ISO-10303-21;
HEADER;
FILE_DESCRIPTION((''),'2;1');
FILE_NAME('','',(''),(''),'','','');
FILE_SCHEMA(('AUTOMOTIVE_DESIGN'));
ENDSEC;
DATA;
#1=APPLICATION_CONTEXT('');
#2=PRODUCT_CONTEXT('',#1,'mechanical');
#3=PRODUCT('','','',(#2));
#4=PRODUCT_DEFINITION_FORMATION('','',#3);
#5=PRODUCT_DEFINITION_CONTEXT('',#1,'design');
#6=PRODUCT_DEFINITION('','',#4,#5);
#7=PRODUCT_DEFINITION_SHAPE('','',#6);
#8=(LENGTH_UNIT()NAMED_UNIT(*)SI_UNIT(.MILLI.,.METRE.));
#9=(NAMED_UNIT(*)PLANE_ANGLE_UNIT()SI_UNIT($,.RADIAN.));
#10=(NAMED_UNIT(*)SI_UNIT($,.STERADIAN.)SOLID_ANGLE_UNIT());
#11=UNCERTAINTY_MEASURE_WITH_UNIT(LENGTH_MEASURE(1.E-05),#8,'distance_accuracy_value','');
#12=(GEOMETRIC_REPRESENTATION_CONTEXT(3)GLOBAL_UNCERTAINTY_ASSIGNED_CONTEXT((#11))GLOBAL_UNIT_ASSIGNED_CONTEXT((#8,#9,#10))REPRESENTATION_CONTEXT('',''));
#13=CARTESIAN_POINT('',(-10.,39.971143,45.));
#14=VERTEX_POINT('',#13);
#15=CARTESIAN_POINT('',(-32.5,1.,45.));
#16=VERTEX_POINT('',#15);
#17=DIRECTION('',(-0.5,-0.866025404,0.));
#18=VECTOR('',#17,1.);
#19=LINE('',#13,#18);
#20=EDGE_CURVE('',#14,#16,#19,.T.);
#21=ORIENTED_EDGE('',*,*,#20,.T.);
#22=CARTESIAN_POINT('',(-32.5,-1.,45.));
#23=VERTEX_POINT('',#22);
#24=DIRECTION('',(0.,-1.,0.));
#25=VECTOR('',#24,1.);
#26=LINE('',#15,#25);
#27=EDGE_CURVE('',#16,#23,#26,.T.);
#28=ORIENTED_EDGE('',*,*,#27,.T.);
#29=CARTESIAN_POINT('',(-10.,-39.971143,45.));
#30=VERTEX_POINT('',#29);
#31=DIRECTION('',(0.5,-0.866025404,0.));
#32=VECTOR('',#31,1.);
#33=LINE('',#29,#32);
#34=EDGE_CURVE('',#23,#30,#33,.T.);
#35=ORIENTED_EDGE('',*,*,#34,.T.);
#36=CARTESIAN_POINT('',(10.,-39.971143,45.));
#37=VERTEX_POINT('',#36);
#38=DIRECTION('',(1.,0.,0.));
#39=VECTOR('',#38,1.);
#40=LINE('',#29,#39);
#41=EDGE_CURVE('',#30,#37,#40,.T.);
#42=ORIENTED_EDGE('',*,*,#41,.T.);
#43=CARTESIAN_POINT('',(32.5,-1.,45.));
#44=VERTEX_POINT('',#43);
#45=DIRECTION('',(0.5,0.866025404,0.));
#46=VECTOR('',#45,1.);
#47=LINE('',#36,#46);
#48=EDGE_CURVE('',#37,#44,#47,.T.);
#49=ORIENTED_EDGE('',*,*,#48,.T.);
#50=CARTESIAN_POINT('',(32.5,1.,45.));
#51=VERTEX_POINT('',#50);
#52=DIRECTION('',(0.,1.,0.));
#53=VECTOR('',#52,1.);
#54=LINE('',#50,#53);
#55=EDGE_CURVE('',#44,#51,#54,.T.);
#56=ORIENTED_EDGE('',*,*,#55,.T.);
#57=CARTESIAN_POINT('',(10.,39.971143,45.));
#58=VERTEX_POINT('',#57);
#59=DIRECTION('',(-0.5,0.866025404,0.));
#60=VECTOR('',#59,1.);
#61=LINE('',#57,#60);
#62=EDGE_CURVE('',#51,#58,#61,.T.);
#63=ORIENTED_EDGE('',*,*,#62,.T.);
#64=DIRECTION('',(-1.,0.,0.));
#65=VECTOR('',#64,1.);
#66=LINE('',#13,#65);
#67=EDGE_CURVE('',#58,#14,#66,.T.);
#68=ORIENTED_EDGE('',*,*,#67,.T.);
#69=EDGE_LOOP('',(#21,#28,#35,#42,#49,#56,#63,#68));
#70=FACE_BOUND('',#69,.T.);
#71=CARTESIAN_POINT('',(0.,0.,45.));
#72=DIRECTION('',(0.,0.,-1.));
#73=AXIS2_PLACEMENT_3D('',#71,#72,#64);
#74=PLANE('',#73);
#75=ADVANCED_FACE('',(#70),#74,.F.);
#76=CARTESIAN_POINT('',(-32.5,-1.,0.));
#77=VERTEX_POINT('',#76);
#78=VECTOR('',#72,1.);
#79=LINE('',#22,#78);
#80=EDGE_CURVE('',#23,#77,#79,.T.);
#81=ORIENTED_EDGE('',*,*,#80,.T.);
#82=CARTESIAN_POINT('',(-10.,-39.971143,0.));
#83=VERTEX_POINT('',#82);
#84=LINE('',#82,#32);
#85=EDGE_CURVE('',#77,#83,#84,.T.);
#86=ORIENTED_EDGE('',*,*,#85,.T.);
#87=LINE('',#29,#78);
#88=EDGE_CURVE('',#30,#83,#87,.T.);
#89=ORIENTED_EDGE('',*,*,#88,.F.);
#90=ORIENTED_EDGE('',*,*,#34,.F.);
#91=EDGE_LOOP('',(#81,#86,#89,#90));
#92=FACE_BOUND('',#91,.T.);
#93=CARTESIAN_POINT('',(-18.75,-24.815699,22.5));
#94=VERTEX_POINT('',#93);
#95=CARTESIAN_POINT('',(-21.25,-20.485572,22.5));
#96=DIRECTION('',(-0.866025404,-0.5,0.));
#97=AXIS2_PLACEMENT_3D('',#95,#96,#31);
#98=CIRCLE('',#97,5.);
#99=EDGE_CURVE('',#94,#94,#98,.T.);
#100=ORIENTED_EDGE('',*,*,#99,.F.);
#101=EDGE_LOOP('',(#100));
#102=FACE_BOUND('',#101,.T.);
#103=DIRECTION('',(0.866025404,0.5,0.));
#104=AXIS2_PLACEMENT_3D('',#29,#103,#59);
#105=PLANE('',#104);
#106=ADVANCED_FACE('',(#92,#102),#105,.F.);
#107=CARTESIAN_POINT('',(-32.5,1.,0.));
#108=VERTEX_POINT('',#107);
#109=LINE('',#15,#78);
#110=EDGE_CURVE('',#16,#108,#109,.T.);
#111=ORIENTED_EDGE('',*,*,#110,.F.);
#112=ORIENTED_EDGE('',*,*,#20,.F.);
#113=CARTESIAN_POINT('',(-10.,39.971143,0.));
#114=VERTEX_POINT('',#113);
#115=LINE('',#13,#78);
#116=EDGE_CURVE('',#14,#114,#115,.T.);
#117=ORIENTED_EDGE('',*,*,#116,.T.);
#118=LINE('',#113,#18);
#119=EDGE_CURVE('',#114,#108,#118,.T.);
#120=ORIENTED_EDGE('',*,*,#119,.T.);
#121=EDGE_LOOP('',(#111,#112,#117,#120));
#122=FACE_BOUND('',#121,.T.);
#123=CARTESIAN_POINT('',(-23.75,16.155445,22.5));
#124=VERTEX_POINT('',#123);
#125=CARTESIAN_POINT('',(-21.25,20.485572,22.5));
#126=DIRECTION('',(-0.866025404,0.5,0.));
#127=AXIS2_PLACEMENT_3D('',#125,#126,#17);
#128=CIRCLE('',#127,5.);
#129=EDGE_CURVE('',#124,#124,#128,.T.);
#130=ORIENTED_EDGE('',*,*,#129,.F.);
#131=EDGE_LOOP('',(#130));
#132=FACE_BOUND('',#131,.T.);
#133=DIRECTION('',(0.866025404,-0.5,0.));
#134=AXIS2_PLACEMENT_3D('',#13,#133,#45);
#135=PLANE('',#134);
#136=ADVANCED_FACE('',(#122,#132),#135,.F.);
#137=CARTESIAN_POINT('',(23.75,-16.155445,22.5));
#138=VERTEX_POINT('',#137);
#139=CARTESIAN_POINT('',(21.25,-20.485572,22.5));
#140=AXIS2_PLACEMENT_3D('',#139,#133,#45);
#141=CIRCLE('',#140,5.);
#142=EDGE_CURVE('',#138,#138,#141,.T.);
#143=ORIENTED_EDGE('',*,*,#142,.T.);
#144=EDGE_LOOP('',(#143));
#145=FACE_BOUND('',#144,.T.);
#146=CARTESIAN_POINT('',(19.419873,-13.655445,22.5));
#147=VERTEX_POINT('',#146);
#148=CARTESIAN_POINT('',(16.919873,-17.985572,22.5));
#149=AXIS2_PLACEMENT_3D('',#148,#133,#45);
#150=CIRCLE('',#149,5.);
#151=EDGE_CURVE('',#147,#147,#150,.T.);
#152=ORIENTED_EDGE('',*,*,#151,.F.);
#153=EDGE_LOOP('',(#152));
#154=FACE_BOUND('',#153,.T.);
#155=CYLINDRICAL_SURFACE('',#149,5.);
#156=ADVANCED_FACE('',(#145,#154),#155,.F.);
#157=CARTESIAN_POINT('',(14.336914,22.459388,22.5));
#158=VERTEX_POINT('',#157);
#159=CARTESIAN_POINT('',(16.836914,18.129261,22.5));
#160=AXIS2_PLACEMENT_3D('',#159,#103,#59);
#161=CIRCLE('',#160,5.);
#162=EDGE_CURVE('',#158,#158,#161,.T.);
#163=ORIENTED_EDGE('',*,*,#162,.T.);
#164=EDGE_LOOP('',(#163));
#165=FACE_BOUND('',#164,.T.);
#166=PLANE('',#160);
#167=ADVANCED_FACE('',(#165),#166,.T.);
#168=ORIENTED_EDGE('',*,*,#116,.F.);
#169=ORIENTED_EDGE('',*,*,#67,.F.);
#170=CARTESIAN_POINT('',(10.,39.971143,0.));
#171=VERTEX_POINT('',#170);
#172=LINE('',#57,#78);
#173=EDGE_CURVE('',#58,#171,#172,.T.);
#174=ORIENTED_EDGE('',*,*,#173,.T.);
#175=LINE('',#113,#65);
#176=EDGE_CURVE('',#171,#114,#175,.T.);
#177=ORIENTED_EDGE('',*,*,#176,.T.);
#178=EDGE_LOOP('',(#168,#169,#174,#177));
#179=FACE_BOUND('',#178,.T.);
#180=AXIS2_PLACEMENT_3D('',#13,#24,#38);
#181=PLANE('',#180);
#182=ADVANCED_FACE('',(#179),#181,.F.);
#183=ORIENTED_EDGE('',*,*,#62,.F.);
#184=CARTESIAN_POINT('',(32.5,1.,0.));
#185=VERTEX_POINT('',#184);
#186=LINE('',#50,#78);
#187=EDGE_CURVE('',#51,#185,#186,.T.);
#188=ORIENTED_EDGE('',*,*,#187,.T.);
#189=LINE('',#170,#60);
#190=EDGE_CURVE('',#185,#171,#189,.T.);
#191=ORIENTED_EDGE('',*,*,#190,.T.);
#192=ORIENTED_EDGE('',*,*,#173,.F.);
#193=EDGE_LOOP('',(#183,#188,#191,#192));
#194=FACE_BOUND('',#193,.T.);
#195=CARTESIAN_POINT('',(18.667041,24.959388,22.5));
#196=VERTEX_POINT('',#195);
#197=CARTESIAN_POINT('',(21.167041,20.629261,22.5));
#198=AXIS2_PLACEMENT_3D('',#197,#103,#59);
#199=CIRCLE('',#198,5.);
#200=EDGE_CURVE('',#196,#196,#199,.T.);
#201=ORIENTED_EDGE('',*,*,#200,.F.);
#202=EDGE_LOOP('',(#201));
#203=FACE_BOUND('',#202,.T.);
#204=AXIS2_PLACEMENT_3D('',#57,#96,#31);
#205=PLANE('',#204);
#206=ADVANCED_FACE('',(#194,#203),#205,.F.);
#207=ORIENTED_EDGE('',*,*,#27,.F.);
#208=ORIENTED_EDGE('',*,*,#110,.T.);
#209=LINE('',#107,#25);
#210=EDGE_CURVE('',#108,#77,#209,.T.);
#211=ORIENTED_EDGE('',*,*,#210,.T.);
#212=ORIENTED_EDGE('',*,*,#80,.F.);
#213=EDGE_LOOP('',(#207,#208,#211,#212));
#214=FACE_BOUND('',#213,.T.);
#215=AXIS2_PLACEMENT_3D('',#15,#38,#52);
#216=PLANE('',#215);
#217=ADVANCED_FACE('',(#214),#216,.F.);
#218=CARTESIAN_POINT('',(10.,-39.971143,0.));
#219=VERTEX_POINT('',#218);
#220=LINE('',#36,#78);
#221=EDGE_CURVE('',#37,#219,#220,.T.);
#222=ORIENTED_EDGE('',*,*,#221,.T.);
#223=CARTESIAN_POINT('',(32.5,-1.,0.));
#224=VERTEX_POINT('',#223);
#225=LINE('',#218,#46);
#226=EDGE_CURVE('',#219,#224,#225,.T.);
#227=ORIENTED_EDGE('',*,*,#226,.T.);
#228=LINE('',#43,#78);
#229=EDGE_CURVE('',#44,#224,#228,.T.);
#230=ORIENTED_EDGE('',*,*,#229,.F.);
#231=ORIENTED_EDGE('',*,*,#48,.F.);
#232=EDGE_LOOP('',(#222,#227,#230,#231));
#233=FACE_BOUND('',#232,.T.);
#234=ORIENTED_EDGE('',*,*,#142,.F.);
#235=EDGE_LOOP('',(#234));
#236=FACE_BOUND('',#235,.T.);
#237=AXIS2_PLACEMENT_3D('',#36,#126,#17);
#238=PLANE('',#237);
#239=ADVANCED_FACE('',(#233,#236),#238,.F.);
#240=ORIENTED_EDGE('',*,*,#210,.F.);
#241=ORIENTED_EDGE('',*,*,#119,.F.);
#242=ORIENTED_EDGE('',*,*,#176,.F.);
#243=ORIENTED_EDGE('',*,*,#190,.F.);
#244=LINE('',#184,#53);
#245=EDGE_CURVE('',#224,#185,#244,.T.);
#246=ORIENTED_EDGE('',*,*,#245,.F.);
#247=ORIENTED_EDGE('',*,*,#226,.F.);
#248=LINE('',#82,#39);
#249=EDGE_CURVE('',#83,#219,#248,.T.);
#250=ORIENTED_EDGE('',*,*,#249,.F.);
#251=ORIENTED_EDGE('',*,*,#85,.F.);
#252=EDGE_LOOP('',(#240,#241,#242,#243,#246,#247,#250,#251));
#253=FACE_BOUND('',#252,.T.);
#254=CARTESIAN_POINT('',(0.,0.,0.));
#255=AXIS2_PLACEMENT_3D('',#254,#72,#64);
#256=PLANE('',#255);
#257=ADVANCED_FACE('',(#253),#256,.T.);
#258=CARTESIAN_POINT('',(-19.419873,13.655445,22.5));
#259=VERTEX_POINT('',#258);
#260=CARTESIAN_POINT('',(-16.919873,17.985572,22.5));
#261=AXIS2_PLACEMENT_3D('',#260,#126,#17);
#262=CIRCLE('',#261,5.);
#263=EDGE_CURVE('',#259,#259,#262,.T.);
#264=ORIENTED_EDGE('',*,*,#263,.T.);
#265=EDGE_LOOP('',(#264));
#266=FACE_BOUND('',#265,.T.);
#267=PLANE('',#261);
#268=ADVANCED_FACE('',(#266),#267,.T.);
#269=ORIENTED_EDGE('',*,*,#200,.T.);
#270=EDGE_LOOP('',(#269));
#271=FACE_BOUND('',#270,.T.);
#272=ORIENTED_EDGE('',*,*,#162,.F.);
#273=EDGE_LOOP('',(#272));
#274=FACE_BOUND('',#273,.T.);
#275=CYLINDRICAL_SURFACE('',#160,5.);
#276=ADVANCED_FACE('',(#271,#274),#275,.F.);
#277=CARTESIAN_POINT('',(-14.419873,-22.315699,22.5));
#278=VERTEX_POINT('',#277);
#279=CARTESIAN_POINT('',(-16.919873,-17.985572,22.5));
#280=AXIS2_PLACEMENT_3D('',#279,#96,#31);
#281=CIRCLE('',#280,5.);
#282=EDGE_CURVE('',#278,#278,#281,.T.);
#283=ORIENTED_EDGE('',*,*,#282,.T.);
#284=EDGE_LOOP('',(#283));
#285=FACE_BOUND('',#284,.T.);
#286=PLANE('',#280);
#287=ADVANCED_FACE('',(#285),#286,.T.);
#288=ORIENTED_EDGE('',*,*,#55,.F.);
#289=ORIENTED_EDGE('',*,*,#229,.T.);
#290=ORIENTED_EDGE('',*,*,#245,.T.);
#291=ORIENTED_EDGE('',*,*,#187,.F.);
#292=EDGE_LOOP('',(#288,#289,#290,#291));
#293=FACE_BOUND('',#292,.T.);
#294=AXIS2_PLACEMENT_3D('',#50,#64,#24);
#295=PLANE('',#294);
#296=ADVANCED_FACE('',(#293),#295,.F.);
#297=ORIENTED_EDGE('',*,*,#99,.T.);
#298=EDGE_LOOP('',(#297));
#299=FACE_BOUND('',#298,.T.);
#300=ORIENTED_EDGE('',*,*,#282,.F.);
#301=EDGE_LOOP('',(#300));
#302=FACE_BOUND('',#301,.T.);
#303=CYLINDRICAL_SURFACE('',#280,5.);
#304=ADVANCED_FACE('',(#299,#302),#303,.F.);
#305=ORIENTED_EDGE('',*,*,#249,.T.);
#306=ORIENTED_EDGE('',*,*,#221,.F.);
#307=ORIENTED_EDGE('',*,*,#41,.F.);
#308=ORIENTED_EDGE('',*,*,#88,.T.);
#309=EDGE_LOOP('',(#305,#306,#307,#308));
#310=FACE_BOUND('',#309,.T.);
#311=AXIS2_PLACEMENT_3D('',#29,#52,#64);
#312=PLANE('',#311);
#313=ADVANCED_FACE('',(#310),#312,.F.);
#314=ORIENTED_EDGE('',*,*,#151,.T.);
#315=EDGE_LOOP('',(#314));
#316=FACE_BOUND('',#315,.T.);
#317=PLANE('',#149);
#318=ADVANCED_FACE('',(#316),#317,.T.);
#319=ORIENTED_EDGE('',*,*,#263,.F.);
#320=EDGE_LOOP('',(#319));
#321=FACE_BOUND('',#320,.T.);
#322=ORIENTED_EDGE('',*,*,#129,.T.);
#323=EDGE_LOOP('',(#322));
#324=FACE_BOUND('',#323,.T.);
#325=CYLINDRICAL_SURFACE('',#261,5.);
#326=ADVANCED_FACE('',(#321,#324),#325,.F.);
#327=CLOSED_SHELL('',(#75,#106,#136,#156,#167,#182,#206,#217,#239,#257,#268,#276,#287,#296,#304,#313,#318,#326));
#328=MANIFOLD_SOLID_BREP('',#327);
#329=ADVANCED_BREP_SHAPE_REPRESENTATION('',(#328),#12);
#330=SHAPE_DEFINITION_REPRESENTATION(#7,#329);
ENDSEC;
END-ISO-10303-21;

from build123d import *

# Parameters (mm, degrees)
BOSS_EXTRUDE1_DEPTH = 45
SKETCH3_R           = 5
CUT_EXTRUDE1_DEPTH  = 5
SKETCH4_R           = 5
CUT_EXTRUDE2_DEPTH  = 5
SKETCH5_R           = 5
CUT_EXTRUDE3_DEPTH  = 5
SKETCH6_R           = 5
CUT_EXTRUDE4_DEPTH  = 5


with BuildPart() as part:
    # Sketch2 → Boss-Extrude1 (new body)
    with BuildSketch(Plane.XY):
        Polygon((-10, 39.97114317), (10, 39.97114317), (32.5, 1), (32.5, -1), (10, -39.97114317), (-10, -39.97114317), (-32.5, -1), (-32.5, 1), align=None)
    extrude(amount=BOSS_EXTRUDE1_DEPTH)

    # Sketch3 → Cut-Extrude1 (cut)
    with BuildSketch(Plane(origin=(24.808012702, 14.322912811, 0), x_dir=(0, 0, -1), z_dir=(0.8660254037844365, 0.500000000000004, 0))):
        with Locations(Location((-22.5, 7.281943839, 0), (0, 0, 90))):
            Circle(SKETCH3_R)
    extrude(amount=-CUT_EXTRUDE1_DEPTH, mode=Mode.SUBTRACT)

    # Sketch4 → Cut-Extrude2 (cut)
    with BuildSketch(Plane(origin=(-24.808012702, 14.322912811, 0), x_dir=(0, 0, 1), z_dir=(-0.8660254037844253, 0.5000000000000234, 0))):
        with Locations(Location((22.5, 7.116025404, 0), (0, 0, 270))):
            Circle(SKETCH4_R)
    extrude(amount=-CUT_EXTRUDE2_DEPTH, mode=Mode.SUBTRACT)

    # Sketch5 → Cut-Extrude3 (cut)
    with BuildSketch(Plane(origin=(-24.808012702, -14.322912811, 0), x_dir=(0, 0, 1), z_dir=(-0.8660254037844344, -0.5000000000000075, 0))):
        with Locations(Location((22.5, -7.116025404, 0), (0, 0, 270))):
            Circle(SKETCH5_R)
    extrude(amount=-CUT_EXTRUDE3_DEPTH, mode=Mode.SUBTRACT)

    # Sketch6 → Cut-Extrude4 (cut)
    with BuildSketch(Plane(origin=(24.808012702, -14.322912811, 0), x_dir=(0, 0, -1), z_dir=(0.8660254037844365, -0.500000000000004, 0))):
        with Locations(Location((-22.5, -7.116025404, 0), (0, 0, 90))):
            Circle(SKETCH6_R)
    extrude(amount=-CUT_EXTRUDE4_DEPTH, mode=Mode.SUBTRACT)


solid = part.part
